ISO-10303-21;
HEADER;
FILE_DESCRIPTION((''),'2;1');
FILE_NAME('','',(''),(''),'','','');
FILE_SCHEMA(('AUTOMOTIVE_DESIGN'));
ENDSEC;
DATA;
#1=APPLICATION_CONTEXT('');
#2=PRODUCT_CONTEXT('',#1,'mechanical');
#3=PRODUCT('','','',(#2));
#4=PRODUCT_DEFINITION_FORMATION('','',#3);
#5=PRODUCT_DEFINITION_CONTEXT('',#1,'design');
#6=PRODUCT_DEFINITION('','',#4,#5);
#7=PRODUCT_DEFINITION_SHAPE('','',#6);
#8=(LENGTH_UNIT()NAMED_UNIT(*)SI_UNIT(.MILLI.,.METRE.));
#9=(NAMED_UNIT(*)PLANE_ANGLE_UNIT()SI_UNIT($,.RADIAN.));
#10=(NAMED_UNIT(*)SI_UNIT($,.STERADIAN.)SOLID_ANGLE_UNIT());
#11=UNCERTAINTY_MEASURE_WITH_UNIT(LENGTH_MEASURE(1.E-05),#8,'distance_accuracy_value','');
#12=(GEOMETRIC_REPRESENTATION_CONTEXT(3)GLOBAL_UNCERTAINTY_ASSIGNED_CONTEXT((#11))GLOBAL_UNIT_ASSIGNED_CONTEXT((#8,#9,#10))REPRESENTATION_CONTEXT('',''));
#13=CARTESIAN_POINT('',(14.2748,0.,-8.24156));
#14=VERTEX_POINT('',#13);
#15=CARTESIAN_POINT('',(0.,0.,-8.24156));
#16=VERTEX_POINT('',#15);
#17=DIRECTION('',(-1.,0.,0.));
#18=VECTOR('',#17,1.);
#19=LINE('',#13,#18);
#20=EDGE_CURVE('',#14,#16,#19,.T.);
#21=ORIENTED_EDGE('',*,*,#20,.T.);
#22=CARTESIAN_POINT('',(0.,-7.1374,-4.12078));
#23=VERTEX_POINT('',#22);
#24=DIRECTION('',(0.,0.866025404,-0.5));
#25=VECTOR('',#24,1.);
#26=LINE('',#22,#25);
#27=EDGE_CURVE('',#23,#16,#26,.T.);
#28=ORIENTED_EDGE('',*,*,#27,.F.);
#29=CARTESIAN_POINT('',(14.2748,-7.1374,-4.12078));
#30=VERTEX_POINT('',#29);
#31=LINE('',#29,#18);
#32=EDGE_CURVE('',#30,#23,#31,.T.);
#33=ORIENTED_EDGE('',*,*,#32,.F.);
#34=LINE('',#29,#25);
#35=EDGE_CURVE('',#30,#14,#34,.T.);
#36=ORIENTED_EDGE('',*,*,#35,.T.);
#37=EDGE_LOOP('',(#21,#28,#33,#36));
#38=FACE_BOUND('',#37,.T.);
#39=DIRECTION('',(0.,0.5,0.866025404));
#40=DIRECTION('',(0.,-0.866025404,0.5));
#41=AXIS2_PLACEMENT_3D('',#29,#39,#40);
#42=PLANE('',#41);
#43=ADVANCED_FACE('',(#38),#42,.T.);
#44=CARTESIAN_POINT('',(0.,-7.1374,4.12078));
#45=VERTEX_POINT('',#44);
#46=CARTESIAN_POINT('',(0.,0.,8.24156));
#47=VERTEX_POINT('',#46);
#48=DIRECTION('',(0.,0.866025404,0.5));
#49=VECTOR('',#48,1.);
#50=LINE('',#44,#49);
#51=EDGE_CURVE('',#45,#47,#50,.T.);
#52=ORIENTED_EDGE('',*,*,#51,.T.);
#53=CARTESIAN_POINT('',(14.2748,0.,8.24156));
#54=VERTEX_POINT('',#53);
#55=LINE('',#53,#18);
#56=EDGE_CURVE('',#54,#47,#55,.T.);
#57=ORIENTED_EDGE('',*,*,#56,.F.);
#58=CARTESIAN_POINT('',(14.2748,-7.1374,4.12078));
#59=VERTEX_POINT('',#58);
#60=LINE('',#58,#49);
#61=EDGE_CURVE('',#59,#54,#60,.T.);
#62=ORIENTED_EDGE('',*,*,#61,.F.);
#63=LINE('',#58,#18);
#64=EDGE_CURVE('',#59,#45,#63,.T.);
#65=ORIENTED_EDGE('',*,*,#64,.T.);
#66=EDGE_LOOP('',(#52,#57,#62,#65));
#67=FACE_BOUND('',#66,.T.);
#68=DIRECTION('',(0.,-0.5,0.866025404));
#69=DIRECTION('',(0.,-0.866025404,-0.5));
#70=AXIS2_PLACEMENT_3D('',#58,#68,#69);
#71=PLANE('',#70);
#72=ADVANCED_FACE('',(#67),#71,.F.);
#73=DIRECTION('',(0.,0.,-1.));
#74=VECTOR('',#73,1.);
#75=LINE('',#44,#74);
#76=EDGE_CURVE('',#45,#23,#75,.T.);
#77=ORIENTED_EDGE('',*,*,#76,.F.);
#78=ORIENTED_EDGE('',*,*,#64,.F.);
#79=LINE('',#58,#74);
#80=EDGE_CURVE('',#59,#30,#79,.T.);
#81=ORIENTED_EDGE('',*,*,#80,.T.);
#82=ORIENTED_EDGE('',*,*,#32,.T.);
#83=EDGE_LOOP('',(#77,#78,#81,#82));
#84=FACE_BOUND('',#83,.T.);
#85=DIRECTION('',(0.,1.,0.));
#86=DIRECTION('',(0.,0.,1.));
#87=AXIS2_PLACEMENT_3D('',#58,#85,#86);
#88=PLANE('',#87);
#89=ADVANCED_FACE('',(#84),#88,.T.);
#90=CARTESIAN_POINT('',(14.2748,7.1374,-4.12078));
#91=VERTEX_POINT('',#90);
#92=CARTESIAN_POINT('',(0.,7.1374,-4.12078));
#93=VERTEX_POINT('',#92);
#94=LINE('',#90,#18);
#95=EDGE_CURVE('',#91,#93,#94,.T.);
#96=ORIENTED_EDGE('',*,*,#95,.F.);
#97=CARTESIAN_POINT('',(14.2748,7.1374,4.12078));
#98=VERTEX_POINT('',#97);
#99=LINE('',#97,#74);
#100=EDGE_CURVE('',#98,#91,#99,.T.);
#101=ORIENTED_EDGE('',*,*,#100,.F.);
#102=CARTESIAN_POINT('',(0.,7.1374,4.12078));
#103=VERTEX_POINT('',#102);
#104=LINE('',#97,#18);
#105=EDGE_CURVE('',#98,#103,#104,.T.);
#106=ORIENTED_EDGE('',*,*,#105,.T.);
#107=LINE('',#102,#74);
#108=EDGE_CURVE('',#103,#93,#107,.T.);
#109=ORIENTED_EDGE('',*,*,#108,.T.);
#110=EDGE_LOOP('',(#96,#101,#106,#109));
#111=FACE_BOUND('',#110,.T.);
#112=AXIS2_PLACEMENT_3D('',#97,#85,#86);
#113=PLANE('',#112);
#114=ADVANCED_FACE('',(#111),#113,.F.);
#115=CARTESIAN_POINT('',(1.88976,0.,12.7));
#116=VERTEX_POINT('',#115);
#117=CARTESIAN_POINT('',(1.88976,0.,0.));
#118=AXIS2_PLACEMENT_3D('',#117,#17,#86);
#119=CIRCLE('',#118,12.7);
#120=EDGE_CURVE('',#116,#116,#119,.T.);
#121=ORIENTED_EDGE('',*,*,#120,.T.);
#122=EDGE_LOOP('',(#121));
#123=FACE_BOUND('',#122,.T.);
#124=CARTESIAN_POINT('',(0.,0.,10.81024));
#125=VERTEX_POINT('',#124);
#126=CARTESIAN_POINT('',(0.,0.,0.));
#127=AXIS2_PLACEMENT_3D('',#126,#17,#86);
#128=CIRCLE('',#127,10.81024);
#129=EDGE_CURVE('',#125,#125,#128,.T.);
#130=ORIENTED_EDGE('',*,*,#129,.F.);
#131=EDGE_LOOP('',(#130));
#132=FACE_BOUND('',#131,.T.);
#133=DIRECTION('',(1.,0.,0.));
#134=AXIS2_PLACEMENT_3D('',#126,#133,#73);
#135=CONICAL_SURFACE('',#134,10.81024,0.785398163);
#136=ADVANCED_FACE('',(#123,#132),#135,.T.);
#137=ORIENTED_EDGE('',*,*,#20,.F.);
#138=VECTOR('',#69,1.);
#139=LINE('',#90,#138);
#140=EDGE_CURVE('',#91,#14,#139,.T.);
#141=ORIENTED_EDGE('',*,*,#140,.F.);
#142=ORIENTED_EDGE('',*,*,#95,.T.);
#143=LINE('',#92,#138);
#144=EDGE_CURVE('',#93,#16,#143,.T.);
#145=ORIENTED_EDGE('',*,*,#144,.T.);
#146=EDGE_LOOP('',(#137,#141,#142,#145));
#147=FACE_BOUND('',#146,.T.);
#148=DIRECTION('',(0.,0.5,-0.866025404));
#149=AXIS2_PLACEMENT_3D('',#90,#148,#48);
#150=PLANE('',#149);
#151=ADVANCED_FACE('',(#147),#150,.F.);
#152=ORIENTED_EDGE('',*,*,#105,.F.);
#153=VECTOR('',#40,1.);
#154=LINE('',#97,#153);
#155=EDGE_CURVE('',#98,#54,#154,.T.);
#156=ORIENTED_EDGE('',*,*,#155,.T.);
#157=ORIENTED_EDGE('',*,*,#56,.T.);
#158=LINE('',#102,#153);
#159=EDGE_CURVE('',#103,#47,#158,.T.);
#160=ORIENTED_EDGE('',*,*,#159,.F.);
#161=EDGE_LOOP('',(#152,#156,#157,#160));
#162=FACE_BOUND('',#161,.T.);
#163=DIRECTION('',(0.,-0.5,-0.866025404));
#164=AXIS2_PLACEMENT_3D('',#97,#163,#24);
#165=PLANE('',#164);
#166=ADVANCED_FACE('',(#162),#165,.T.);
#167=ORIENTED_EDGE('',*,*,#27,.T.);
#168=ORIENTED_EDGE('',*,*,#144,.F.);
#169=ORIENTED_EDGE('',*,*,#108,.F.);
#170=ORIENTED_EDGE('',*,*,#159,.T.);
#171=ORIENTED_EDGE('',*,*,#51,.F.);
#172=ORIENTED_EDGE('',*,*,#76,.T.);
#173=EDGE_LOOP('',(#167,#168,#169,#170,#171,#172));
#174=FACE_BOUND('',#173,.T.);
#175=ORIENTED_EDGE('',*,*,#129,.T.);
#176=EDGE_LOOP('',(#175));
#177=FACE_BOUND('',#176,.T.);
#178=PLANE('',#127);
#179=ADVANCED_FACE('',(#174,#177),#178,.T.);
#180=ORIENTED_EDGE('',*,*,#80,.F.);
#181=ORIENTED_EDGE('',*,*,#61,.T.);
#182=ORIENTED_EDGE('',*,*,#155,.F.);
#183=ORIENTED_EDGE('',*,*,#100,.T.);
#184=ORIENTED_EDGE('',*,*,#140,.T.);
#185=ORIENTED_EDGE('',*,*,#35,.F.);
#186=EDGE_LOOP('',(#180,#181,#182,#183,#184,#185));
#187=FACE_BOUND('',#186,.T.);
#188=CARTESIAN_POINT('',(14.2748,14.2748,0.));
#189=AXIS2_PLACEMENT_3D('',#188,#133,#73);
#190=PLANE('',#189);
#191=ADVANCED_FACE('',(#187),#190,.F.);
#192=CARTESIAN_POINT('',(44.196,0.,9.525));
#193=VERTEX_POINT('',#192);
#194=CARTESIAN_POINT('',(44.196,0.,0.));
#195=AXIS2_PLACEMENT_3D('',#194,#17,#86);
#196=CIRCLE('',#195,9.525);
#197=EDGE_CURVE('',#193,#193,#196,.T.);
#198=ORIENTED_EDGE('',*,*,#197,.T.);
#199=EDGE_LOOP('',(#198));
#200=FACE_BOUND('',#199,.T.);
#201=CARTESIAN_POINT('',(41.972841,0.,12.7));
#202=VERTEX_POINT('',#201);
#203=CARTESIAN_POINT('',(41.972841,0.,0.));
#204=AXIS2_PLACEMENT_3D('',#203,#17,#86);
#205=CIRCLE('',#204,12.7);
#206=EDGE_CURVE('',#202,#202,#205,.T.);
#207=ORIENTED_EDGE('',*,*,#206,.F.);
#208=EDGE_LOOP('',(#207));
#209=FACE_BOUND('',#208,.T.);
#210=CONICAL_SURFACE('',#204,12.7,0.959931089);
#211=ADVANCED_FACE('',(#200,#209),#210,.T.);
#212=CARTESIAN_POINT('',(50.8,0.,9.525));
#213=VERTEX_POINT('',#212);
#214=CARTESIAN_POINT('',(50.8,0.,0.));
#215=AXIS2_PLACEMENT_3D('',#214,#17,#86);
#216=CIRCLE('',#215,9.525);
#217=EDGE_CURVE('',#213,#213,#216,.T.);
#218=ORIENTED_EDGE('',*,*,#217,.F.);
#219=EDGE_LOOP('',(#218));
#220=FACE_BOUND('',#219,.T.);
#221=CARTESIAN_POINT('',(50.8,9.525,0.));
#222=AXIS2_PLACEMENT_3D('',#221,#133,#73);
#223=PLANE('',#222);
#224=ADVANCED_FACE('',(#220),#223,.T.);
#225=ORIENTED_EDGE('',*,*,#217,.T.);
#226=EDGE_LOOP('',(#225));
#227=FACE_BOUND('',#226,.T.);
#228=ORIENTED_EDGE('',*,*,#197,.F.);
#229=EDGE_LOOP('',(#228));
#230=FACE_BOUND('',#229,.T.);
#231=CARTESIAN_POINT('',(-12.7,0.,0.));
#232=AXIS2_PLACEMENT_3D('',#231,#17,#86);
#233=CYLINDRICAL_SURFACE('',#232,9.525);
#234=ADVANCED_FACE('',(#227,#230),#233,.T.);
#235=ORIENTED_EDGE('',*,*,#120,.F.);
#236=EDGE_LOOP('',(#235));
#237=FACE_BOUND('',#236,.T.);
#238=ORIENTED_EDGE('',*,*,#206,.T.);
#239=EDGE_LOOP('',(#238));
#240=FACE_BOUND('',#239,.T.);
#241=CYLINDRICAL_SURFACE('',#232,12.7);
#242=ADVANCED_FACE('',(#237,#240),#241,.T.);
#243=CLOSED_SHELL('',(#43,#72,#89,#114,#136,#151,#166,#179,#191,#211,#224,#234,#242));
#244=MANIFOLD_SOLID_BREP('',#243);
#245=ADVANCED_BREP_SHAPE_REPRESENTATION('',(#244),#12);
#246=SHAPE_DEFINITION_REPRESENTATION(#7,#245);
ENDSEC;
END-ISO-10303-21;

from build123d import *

# Parameters (mm, degrees)
HEX_2_DEPTH = 14.2748


with BuildPart() as part:
    # BodySke → BaseBody (revolve)
    with BuildSketch(Plane.XY, mode=Mode.PRIVATE) as basebody_sk:
        Polygon((0, 0), (0, 10.81024), (1.88976, 12.7), (41.972841066, 12.7), (44.196, 9.525), (50.8, 9.525), (50.8, 0), align=None)
    revolve(basebody_sk.sketch.rotate(Axis((-12.7, 0, 0), (1, 0, 0)), 90), axis=Axis((-12.7, 0, 0), (1, 0, 0)))

    # Sketch2 → Hex 2 (cut)
    with BuildSketch(Plane.ZY):
        Polygon((4.120779811, 7.1374), (-4.120779811, 7.1374), (-8.241559623, 0), (-4.120779811, -7.1374), (4.120779811, -7.1374), (8.241559623, 0), align=None)
    extrude(amount=-HEX_2_DEPTH, mode=Mode.SUBTRACT)


solid = part.part
